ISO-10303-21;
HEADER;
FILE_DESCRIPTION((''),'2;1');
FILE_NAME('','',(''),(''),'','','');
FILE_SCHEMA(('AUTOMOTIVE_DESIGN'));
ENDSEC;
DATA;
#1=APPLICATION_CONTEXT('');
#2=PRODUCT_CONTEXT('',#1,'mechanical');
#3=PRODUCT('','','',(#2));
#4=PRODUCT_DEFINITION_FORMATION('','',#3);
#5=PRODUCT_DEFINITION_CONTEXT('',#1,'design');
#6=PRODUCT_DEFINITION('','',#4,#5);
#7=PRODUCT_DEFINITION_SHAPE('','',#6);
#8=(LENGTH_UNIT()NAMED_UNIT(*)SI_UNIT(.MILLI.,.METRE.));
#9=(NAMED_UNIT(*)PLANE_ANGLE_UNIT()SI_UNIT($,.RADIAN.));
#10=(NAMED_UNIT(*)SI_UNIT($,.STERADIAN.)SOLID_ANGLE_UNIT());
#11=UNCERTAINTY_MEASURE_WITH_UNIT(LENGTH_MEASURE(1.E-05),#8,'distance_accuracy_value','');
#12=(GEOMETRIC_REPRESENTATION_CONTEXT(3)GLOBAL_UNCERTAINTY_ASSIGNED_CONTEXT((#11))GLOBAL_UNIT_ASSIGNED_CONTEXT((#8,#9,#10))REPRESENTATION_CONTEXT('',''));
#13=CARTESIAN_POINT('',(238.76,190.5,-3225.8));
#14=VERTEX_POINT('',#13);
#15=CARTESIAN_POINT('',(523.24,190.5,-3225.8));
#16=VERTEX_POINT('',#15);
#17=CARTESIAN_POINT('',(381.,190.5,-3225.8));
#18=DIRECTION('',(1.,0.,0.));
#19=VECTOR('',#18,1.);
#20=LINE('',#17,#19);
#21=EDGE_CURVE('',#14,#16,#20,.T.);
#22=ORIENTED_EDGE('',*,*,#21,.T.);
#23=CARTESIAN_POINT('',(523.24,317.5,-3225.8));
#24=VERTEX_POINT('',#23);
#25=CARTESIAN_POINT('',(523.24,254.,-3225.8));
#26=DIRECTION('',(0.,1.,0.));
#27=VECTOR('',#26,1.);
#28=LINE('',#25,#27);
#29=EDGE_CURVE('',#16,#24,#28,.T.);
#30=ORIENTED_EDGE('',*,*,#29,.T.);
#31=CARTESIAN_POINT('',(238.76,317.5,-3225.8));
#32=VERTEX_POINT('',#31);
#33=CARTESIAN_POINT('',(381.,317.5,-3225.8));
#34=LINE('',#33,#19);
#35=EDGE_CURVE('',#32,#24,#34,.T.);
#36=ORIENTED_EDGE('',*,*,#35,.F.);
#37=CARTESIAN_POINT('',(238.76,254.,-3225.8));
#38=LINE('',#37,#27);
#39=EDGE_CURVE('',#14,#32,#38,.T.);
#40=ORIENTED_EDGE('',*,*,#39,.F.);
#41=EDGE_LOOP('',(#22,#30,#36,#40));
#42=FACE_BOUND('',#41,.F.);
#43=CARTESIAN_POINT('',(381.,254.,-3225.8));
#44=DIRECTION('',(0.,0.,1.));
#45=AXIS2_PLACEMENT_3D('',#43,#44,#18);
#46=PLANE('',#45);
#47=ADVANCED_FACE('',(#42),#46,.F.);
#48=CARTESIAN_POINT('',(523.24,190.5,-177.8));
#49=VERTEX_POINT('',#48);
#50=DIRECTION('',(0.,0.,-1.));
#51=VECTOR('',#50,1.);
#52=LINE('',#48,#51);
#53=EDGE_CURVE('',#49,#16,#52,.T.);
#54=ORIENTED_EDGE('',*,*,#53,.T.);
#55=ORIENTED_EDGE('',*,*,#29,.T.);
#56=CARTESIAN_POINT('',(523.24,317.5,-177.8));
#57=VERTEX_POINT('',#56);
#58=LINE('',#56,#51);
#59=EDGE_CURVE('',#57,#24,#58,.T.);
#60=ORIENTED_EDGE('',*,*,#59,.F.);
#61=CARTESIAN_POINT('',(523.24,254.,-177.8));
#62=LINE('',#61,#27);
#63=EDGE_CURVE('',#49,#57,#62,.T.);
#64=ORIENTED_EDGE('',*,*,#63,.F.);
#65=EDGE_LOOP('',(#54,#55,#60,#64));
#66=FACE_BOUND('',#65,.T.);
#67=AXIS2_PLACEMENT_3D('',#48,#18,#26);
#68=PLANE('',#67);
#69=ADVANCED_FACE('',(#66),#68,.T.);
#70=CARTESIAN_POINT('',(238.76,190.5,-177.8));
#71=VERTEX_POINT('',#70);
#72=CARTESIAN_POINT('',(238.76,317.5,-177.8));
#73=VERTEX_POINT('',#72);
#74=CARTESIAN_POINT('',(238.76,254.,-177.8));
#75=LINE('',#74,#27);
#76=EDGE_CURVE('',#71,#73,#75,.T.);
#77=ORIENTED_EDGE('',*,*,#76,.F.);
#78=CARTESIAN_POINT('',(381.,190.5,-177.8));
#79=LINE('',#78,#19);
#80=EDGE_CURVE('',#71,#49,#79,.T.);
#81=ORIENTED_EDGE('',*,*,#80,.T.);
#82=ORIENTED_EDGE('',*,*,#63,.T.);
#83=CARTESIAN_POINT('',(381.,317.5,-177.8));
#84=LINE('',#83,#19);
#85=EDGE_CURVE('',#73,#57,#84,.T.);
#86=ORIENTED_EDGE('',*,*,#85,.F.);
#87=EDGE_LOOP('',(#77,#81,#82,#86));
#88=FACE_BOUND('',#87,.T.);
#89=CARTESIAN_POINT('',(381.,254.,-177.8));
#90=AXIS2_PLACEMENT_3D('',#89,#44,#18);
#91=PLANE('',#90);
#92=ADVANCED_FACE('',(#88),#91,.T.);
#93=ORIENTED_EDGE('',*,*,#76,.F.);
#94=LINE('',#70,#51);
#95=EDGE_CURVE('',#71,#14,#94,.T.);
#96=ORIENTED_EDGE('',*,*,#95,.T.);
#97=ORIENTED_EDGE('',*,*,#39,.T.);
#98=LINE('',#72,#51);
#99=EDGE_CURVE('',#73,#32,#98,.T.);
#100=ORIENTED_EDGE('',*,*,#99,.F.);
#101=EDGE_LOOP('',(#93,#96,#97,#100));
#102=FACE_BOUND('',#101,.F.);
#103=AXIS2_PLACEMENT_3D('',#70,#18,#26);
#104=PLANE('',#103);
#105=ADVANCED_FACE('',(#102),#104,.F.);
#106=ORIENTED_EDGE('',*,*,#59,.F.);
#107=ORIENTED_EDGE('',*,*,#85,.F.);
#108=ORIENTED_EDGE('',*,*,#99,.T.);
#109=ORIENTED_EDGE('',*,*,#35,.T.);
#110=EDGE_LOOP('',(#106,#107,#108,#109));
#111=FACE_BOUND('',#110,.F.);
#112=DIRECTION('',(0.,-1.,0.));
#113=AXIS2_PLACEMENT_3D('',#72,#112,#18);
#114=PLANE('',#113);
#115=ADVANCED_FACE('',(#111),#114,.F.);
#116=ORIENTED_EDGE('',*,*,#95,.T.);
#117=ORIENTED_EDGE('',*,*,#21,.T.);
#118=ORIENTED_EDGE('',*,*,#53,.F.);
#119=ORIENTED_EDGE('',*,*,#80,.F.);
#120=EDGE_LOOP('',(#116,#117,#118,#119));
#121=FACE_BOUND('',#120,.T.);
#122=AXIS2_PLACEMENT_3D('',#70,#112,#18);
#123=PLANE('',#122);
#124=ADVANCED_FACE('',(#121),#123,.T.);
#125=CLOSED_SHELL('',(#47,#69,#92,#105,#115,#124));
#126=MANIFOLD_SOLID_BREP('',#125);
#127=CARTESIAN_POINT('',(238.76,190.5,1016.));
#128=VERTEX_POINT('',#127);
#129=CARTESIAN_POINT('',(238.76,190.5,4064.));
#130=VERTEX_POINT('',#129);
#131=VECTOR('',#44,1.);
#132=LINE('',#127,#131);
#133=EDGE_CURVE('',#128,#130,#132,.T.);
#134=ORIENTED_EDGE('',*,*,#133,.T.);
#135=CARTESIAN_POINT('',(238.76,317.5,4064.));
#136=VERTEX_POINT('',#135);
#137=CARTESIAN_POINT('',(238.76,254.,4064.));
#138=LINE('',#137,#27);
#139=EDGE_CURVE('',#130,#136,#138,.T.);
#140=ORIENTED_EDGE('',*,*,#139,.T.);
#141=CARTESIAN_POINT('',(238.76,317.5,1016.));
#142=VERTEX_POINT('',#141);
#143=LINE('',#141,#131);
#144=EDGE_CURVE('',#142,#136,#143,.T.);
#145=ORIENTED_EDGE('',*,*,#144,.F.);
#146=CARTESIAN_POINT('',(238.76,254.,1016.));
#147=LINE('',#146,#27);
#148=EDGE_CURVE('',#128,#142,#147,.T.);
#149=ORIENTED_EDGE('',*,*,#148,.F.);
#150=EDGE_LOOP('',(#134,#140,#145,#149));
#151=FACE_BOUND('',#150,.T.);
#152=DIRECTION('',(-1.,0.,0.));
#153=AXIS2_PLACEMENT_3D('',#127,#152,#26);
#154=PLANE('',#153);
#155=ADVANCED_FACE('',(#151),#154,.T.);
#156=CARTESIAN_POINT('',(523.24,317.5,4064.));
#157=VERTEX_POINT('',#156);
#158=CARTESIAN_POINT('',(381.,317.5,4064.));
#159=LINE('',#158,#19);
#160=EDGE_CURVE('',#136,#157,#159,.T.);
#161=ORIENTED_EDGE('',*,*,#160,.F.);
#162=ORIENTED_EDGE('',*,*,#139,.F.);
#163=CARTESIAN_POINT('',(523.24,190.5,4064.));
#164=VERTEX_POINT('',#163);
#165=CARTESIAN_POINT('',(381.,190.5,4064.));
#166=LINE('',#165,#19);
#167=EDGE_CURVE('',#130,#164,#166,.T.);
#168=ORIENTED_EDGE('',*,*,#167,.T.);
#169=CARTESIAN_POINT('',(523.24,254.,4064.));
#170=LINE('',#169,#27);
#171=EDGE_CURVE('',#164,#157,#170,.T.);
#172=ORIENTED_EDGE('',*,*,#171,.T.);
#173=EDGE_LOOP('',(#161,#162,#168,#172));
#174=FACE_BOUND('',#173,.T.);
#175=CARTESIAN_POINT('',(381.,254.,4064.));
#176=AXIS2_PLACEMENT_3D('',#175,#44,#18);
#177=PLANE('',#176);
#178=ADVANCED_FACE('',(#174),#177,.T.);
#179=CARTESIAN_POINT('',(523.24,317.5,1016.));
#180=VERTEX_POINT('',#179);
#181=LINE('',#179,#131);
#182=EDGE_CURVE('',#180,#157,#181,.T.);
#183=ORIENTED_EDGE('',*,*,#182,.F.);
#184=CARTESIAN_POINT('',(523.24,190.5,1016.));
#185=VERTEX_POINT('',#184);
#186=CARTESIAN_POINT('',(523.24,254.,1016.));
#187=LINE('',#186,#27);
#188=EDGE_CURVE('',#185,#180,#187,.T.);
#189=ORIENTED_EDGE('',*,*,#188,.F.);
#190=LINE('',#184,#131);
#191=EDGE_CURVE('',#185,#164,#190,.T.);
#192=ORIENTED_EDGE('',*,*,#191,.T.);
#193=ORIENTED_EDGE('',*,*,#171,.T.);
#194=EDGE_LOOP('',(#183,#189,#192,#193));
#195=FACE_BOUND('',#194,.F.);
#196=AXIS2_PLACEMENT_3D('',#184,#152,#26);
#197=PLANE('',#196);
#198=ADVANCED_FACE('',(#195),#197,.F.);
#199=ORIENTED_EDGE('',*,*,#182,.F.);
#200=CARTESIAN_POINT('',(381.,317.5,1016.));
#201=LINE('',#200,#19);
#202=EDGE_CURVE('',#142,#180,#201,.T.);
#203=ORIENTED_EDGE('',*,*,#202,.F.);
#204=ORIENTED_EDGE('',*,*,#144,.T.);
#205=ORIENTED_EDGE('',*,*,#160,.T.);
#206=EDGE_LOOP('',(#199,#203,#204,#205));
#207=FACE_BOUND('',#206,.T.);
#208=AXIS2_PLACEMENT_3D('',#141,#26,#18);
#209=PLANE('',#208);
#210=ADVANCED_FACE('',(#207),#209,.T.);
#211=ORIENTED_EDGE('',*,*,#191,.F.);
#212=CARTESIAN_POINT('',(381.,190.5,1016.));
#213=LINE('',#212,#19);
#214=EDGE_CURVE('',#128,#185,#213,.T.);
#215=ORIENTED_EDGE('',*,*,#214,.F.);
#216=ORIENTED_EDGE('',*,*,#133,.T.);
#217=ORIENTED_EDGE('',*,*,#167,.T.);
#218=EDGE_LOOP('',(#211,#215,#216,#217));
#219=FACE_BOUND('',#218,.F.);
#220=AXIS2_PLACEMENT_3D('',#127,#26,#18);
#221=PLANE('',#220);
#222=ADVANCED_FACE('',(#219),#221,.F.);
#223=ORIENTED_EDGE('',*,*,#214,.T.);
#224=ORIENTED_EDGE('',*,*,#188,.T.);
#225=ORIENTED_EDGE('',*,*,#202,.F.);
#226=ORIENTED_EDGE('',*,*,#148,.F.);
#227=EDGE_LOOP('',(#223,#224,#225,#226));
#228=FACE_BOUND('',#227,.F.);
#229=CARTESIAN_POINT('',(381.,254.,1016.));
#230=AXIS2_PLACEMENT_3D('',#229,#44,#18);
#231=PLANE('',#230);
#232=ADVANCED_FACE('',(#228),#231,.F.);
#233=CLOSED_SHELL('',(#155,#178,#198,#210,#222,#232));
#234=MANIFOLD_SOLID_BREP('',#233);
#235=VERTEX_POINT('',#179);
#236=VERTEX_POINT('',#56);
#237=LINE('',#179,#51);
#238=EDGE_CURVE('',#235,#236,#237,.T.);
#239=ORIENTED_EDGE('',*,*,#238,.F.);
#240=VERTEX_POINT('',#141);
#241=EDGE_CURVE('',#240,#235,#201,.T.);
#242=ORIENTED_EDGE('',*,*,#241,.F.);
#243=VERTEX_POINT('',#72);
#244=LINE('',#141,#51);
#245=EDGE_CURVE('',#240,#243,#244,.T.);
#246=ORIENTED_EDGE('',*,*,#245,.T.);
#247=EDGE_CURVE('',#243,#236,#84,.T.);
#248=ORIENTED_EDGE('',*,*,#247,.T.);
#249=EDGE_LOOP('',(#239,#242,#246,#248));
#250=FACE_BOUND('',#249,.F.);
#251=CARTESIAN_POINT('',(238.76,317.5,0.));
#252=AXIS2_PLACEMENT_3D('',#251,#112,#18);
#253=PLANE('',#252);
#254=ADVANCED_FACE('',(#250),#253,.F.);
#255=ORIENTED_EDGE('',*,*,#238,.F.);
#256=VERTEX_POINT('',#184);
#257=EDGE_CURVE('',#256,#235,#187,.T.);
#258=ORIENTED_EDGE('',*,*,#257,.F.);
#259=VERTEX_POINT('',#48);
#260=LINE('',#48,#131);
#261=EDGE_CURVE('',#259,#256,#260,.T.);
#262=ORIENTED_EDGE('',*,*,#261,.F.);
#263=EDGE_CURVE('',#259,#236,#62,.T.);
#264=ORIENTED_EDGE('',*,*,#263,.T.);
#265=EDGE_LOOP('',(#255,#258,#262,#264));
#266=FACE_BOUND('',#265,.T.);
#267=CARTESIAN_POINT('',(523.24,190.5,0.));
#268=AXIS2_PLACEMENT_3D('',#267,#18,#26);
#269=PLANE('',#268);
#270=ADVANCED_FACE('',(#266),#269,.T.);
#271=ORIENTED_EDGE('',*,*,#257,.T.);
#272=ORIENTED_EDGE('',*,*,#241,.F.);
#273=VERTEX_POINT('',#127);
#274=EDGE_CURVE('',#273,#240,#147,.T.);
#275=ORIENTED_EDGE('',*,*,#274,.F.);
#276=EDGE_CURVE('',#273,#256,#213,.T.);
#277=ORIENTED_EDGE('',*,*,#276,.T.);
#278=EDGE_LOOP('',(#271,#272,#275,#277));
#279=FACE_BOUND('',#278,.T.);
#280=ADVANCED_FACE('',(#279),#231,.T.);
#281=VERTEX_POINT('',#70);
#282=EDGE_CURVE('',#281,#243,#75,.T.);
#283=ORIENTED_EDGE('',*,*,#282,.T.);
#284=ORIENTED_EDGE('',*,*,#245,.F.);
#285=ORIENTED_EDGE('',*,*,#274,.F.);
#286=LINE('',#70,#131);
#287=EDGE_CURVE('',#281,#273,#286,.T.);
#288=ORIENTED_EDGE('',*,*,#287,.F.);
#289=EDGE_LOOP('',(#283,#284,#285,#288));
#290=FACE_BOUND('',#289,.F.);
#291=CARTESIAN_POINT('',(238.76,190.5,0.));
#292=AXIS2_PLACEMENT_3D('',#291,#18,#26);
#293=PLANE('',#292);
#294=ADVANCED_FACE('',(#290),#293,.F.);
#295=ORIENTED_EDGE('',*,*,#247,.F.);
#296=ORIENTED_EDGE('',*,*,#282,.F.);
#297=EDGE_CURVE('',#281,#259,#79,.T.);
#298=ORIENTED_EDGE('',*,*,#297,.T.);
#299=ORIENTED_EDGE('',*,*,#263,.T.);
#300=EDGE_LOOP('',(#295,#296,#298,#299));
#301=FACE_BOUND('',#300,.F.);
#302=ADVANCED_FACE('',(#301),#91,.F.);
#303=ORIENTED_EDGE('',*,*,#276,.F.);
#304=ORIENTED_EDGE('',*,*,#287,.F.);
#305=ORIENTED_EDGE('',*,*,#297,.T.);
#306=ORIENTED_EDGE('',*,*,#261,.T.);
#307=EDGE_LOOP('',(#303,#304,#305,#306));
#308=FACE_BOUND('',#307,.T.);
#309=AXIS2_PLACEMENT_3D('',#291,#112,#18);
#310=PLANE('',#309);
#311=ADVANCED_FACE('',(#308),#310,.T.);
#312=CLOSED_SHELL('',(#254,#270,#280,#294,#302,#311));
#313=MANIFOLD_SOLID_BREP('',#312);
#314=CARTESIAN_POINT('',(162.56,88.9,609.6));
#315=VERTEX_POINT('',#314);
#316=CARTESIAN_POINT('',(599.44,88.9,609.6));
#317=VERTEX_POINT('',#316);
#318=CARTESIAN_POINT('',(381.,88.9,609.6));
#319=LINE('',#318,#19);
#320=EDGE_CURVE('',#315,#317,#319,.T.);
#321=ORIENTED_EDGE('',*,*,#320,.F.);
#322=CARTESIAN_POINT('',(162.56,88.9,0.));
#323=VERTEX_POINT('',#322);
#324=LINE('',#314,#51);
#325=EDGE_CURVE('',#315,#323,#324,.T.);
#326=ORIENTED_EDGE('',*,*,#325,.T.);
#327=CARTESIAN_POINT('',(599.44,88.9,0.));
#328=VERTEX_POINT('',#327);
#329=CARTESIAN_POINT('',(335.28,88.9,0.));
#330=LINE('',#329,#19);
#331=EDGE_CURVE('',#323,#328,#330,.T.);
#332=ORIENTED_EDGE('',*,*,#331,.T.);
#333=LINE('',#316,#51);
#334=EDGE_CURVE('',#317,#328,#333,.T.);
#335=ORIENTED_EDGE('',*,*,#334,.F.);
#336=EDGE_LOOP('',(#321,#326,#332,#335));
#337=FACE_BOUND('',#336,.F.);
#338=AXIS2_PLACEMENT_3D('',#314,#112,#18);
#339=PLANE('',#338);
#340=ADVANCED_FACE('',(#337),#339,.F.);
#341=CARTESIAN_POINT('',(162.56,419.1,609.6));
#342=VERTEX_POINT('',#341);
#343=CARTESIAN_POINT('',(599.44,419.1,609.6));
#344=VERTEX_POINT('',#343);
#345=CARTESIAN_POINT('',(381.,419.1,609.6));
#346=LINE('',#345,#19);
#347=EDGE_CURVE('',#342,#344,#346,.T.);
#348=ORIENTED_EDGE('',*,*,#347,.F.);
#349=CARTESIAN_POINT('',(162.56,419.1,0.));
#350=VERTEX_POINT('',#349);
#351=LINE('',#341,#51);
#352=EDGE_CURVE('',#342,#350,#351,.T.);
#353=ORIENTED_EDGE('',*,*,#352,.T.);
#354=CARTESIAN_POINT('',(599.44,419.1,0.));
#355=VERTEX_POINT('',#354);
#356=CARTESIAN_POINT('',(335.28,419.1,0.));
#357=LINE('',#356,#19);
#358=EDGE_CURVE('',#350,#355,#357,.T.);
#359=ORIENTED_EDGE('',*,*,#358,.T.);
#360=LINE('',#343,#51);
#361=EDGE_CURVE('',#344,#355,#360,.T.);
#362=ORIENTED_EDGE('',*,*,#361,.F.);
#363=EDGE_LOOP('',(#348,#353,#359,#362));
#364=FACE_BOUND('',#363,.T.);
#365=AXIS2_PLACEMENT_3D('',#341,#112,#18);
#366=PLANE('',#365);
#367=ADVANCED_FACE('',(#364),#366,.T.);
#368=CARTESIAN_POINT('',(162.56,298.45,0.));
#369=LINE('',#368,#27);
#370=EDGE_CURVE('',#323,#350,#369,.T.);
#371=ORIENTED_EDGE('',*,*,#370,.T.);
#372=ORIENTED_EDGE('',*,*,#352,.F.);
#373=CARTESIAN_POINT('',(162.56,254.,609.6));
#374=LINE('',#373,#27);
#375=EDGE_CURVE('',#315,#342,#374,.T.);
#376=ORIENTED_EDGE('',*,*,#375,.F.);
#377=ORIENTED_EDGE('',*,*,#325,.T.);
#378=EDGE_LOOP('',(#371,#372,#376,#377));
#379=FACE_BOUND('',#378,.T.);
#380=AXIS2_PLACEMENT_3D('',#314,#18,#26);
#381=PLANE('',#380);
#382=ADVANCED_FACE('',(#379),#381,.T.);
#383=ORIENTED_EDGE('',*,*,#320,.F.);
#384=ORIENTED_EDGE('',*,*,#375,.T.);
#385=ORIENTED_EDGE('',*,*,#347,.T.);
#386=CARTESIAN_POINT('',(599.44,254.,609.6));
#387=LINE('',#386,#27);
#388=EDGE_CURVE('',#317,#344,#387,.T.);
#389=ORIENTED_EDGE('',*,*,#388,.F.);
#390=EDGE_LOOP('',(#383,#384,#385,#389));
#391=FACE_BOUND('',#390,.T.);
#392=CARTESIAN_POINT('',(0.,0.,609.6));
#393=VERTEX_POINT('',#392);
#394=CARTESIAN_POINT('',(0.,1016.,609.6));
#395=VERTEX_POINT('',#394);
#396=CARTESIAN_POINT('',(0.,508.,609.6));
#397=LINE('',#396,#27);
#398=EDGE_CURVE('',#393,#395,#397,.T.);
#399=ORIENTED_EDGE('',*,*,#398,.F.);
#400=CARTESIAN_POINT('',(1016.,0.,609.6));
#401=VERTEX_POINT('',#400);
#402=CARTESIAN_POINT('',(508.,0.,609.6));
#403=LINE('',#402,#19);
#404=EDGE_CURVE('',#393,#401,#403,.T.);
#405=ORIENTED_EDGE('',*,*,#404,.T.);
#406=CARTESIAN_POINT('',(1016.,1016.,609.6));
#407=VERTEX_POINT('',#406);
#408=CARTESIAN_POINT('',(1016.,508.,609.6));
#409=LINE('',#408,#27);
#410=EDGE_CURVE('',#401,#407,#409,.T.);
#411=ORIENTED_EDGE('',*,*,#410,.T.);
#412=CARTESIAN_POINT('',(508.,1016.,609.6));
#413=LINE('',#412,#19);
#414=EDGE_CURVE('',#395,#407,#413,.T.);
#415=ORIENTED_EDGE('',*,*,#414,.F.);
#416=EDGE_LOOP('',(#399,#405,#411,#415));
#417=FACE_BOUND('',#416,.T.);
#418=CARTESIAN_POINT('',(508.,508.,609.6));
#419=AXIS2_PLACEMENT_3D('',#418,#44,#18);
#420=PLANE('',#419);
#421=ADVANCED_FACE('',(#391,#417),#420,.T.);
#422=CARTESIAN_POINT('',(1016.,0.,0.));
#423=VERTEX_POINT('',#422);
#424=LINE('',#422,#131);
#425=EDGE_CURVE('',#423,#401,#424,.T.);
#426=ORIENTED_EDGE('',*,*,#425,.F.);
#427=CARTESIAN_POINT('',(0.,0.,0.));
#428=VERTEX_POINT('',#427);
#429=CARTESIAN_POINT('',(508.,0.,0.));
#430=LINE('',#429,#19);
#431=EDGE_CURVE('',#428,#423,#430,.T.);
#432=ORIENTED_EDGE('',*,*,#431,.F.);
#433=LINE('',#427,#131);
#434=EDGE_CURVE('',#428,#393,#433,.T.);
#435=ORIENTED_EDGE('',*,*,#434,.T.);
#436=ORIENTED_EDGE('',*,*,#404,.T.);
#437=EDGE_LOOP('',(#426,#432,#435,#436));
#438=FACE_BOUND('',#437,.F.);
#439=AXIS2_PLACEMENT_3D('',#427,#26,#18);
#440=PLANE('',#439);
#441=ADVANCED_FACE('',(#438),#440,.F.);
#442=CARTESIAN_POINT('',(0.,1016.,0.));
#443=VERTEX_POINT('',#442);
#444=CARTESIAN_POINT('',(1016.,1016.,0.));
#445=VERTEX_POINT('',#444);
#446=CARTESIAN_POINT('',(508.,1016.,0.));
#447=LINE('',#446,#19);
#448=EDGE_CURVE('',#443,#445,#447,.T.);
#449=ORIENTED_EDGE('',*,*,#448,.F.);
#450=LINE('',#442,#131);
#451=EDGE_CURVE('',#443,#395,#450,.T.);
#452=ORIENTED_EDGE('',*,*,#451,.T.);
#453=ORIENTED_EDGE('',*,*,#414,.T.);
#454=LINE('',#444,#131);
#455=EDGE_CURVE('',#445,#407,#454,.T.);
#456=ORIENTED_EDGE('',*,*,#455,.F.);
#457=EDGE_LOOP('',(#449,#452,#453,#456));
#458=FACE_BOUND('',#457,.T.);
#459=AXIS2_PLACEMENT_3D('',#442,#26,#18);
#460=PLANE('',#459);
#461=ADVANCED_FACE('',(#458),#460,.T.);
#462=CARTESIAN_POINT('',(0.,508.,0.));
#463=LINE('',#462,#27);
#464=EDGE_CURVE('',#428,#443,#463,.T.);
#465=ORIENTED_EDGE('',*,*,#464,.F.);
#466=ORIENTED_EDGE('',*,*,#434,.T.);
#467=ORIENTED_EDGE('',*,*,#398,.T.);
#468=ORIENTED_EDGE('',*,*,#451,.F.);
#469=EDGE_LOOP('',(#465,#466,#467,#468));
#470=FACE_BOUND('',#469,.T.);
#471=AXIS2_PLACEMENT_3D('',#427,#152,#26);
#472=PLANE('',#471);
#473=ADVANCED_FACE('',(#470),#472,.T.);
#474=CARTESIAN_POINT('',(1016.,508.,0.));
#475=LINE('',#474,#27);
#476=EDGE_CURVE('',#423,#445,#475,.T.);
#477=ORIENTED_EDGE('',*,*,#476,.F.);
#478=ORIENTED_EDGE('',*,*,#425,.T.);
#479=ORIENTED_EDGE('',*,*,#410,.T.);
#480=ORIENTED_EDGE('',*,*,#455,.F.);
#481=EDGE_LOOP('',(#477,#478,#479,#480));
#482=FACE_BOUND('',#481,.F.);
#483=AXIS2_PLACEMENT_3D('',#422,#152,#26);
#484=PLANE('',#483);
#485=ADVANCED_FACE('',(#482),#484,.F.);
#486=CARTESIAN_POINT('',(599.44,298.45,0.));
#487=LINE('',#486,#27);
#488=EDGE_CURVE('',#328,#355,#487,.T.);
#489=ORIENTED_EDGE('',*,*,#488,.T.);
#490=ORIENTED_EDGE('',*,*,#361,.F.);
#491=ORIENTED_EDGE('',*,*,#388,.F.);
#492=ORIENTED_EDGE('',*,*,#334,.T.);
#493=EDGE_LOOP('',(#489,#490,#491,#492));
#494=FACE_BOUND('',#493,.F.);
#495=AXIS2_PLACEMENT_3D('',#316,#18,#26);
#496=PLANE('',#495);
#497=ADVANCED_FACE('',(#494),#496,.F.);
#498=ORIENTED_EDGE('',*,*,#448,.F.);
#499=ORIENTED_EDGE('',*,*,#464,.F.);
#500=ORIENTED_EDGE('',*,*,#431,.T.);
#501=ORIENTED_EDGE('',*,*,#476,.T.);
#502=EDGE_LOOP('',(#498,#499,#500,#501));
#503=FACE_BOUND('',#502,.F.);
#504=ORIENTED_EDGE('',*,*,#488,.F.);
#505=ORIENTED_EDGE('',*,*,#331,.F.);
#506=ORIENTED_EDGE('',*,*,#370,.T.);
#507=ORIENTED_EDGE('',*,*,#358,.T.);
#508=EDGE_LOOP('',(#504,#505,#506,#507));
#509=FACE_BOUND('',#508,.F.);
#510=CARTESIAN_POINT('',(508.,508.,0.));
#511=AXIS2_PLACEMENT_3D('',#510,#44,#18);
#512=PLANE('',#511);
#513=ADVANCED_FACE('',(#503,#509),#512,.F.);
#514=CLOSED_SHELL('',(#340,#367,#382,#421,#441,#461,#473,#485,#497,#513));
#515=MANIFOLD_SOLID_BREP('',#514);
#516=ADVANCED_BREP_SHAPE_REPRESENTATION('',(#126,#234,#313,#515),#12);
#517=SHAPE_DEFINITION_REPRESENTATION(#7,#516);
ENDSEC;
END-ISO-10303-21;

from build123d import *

# Parameters (mm, degrees)
F0_W      = 1016
F0_H      = 1016
F1_DEPTH  = 609.6
F2_W      = 436.88
F2_H      = 330.2
F2_W_2    = 284.48
F2_H_2    = 127
F3_DEPTH  = 609.601
F4_DEPTH  = 762
F5_DEPTH  = 1168.4
F6_DEPTH  = 431.8
F7_DEPTH  = 1193.8
F8_DEPTH  = 406.4
F9_DEPTH  = 1320.8
F10_DEPTH = 177.8
F11_DEPTH = 3048
F12_DEPTH = 3048


with BuildPart() as f1:
    # F0 (on Top) → F1 (new body)
    with BuildSketch(Plane.XY):
        with Locations((508, 508)):
            Rectangle(F0_W, F0_H)
    extrude(amount=F1_DEPTH)

    # F2 (on face) → F3 (cut, through all)
    with BuildSketch(Plane.XY.offset(609.6)):
        with Locations((381, 254)):
            Rectangle(F2_W, F2_H)
        with Locations((381, 254)):
            Rectangle(F2_W_2, F2_H_2, mode=Mode.SUBTRACT)
        with Locations((381, 254)):
            Rectangle(F2_W_2, F2_H_2)
    extrude(amount=-F3_DEPTH, mode=Mode.SUBTRACT)


with BuildPart() as f4:
    # F2 (on face) → F4 (new body, symmetric)
    with BuildSketch(Plane.XY.offset(609.6)):
        with Locations((381, 254)):
            Rectangle(F2_W_2, F2_H_2)
    extrude(amount=F4_DEPTH, both=True)

    # F5 (add): a face of the model
    f5_faces = [f4.faces().sort_by_distance(p)[0] for p in [
        (381, 254, -152.4),
    ]]
    extrude(f5_faces, amount=F5_DEPTH)

    # F6 (add): a face of the model
    f6_faces = [f4.faces().sort_by_distance(p)[0] for p in [
        (381, 254, 1371.6),
    ]]
    extrude(f6_faces, amount=F6_DEPTH)

    # F7 (cut, through all): a face of the model
    f7_faces = [f4.faces().sort_by_distance(p)[0] for p in [
        (381, 254, 1803.4),
    ]]
    extrude(f7_faces, amount=-F7_DEPTH, mode=Mode.SUBTRACT)

    # F8 (add): a face of the model
    f8_faces = [f4.faces().sort_by_distance(p)[0] for p in [
        (381, 254, 609.6),
    ]]
    extrude(f8_faces, amount=F8_DEPTH)

    # F9 (cut, through all): a face of the model
    f9_faces = [f4.faces().sort_by_distance(p)[0] for p in [
        (381, 254, -1320.8),
    ]]
    extrude(f9_faces, amount=-F9_DEPTH, mode=Mode.SUBTRACT)

    # F10 (add): a face of the model
    f10_faces = [f4.faces().sort_by_distance(p)[0] for p in [
        (381, 254, 0),
    ]]
    extrude(f10_faces, amount=F10_DEPTH)


with BuildPart() as f11:
    # F11 (new): a face of the model
    f11_faces = [f4.part.faces().sort_by_distance(p)[0] for p in [
        (381, 254, 1016),
    ]]
    extrude(f11_faces, amount=F11_DEPTH)


with BuildPart() as f12:
    # F12 (new): a face of the model
    f12_faces = [f4.part.faces().sort_by_distance(p)[0] for p in [
        (381, 254, -177.8),
    ]]
    extrude(f12_faces, amount=F12_DEPTH)


solid = Compound([f1.part, f4.part, f11.part, f12.part])
